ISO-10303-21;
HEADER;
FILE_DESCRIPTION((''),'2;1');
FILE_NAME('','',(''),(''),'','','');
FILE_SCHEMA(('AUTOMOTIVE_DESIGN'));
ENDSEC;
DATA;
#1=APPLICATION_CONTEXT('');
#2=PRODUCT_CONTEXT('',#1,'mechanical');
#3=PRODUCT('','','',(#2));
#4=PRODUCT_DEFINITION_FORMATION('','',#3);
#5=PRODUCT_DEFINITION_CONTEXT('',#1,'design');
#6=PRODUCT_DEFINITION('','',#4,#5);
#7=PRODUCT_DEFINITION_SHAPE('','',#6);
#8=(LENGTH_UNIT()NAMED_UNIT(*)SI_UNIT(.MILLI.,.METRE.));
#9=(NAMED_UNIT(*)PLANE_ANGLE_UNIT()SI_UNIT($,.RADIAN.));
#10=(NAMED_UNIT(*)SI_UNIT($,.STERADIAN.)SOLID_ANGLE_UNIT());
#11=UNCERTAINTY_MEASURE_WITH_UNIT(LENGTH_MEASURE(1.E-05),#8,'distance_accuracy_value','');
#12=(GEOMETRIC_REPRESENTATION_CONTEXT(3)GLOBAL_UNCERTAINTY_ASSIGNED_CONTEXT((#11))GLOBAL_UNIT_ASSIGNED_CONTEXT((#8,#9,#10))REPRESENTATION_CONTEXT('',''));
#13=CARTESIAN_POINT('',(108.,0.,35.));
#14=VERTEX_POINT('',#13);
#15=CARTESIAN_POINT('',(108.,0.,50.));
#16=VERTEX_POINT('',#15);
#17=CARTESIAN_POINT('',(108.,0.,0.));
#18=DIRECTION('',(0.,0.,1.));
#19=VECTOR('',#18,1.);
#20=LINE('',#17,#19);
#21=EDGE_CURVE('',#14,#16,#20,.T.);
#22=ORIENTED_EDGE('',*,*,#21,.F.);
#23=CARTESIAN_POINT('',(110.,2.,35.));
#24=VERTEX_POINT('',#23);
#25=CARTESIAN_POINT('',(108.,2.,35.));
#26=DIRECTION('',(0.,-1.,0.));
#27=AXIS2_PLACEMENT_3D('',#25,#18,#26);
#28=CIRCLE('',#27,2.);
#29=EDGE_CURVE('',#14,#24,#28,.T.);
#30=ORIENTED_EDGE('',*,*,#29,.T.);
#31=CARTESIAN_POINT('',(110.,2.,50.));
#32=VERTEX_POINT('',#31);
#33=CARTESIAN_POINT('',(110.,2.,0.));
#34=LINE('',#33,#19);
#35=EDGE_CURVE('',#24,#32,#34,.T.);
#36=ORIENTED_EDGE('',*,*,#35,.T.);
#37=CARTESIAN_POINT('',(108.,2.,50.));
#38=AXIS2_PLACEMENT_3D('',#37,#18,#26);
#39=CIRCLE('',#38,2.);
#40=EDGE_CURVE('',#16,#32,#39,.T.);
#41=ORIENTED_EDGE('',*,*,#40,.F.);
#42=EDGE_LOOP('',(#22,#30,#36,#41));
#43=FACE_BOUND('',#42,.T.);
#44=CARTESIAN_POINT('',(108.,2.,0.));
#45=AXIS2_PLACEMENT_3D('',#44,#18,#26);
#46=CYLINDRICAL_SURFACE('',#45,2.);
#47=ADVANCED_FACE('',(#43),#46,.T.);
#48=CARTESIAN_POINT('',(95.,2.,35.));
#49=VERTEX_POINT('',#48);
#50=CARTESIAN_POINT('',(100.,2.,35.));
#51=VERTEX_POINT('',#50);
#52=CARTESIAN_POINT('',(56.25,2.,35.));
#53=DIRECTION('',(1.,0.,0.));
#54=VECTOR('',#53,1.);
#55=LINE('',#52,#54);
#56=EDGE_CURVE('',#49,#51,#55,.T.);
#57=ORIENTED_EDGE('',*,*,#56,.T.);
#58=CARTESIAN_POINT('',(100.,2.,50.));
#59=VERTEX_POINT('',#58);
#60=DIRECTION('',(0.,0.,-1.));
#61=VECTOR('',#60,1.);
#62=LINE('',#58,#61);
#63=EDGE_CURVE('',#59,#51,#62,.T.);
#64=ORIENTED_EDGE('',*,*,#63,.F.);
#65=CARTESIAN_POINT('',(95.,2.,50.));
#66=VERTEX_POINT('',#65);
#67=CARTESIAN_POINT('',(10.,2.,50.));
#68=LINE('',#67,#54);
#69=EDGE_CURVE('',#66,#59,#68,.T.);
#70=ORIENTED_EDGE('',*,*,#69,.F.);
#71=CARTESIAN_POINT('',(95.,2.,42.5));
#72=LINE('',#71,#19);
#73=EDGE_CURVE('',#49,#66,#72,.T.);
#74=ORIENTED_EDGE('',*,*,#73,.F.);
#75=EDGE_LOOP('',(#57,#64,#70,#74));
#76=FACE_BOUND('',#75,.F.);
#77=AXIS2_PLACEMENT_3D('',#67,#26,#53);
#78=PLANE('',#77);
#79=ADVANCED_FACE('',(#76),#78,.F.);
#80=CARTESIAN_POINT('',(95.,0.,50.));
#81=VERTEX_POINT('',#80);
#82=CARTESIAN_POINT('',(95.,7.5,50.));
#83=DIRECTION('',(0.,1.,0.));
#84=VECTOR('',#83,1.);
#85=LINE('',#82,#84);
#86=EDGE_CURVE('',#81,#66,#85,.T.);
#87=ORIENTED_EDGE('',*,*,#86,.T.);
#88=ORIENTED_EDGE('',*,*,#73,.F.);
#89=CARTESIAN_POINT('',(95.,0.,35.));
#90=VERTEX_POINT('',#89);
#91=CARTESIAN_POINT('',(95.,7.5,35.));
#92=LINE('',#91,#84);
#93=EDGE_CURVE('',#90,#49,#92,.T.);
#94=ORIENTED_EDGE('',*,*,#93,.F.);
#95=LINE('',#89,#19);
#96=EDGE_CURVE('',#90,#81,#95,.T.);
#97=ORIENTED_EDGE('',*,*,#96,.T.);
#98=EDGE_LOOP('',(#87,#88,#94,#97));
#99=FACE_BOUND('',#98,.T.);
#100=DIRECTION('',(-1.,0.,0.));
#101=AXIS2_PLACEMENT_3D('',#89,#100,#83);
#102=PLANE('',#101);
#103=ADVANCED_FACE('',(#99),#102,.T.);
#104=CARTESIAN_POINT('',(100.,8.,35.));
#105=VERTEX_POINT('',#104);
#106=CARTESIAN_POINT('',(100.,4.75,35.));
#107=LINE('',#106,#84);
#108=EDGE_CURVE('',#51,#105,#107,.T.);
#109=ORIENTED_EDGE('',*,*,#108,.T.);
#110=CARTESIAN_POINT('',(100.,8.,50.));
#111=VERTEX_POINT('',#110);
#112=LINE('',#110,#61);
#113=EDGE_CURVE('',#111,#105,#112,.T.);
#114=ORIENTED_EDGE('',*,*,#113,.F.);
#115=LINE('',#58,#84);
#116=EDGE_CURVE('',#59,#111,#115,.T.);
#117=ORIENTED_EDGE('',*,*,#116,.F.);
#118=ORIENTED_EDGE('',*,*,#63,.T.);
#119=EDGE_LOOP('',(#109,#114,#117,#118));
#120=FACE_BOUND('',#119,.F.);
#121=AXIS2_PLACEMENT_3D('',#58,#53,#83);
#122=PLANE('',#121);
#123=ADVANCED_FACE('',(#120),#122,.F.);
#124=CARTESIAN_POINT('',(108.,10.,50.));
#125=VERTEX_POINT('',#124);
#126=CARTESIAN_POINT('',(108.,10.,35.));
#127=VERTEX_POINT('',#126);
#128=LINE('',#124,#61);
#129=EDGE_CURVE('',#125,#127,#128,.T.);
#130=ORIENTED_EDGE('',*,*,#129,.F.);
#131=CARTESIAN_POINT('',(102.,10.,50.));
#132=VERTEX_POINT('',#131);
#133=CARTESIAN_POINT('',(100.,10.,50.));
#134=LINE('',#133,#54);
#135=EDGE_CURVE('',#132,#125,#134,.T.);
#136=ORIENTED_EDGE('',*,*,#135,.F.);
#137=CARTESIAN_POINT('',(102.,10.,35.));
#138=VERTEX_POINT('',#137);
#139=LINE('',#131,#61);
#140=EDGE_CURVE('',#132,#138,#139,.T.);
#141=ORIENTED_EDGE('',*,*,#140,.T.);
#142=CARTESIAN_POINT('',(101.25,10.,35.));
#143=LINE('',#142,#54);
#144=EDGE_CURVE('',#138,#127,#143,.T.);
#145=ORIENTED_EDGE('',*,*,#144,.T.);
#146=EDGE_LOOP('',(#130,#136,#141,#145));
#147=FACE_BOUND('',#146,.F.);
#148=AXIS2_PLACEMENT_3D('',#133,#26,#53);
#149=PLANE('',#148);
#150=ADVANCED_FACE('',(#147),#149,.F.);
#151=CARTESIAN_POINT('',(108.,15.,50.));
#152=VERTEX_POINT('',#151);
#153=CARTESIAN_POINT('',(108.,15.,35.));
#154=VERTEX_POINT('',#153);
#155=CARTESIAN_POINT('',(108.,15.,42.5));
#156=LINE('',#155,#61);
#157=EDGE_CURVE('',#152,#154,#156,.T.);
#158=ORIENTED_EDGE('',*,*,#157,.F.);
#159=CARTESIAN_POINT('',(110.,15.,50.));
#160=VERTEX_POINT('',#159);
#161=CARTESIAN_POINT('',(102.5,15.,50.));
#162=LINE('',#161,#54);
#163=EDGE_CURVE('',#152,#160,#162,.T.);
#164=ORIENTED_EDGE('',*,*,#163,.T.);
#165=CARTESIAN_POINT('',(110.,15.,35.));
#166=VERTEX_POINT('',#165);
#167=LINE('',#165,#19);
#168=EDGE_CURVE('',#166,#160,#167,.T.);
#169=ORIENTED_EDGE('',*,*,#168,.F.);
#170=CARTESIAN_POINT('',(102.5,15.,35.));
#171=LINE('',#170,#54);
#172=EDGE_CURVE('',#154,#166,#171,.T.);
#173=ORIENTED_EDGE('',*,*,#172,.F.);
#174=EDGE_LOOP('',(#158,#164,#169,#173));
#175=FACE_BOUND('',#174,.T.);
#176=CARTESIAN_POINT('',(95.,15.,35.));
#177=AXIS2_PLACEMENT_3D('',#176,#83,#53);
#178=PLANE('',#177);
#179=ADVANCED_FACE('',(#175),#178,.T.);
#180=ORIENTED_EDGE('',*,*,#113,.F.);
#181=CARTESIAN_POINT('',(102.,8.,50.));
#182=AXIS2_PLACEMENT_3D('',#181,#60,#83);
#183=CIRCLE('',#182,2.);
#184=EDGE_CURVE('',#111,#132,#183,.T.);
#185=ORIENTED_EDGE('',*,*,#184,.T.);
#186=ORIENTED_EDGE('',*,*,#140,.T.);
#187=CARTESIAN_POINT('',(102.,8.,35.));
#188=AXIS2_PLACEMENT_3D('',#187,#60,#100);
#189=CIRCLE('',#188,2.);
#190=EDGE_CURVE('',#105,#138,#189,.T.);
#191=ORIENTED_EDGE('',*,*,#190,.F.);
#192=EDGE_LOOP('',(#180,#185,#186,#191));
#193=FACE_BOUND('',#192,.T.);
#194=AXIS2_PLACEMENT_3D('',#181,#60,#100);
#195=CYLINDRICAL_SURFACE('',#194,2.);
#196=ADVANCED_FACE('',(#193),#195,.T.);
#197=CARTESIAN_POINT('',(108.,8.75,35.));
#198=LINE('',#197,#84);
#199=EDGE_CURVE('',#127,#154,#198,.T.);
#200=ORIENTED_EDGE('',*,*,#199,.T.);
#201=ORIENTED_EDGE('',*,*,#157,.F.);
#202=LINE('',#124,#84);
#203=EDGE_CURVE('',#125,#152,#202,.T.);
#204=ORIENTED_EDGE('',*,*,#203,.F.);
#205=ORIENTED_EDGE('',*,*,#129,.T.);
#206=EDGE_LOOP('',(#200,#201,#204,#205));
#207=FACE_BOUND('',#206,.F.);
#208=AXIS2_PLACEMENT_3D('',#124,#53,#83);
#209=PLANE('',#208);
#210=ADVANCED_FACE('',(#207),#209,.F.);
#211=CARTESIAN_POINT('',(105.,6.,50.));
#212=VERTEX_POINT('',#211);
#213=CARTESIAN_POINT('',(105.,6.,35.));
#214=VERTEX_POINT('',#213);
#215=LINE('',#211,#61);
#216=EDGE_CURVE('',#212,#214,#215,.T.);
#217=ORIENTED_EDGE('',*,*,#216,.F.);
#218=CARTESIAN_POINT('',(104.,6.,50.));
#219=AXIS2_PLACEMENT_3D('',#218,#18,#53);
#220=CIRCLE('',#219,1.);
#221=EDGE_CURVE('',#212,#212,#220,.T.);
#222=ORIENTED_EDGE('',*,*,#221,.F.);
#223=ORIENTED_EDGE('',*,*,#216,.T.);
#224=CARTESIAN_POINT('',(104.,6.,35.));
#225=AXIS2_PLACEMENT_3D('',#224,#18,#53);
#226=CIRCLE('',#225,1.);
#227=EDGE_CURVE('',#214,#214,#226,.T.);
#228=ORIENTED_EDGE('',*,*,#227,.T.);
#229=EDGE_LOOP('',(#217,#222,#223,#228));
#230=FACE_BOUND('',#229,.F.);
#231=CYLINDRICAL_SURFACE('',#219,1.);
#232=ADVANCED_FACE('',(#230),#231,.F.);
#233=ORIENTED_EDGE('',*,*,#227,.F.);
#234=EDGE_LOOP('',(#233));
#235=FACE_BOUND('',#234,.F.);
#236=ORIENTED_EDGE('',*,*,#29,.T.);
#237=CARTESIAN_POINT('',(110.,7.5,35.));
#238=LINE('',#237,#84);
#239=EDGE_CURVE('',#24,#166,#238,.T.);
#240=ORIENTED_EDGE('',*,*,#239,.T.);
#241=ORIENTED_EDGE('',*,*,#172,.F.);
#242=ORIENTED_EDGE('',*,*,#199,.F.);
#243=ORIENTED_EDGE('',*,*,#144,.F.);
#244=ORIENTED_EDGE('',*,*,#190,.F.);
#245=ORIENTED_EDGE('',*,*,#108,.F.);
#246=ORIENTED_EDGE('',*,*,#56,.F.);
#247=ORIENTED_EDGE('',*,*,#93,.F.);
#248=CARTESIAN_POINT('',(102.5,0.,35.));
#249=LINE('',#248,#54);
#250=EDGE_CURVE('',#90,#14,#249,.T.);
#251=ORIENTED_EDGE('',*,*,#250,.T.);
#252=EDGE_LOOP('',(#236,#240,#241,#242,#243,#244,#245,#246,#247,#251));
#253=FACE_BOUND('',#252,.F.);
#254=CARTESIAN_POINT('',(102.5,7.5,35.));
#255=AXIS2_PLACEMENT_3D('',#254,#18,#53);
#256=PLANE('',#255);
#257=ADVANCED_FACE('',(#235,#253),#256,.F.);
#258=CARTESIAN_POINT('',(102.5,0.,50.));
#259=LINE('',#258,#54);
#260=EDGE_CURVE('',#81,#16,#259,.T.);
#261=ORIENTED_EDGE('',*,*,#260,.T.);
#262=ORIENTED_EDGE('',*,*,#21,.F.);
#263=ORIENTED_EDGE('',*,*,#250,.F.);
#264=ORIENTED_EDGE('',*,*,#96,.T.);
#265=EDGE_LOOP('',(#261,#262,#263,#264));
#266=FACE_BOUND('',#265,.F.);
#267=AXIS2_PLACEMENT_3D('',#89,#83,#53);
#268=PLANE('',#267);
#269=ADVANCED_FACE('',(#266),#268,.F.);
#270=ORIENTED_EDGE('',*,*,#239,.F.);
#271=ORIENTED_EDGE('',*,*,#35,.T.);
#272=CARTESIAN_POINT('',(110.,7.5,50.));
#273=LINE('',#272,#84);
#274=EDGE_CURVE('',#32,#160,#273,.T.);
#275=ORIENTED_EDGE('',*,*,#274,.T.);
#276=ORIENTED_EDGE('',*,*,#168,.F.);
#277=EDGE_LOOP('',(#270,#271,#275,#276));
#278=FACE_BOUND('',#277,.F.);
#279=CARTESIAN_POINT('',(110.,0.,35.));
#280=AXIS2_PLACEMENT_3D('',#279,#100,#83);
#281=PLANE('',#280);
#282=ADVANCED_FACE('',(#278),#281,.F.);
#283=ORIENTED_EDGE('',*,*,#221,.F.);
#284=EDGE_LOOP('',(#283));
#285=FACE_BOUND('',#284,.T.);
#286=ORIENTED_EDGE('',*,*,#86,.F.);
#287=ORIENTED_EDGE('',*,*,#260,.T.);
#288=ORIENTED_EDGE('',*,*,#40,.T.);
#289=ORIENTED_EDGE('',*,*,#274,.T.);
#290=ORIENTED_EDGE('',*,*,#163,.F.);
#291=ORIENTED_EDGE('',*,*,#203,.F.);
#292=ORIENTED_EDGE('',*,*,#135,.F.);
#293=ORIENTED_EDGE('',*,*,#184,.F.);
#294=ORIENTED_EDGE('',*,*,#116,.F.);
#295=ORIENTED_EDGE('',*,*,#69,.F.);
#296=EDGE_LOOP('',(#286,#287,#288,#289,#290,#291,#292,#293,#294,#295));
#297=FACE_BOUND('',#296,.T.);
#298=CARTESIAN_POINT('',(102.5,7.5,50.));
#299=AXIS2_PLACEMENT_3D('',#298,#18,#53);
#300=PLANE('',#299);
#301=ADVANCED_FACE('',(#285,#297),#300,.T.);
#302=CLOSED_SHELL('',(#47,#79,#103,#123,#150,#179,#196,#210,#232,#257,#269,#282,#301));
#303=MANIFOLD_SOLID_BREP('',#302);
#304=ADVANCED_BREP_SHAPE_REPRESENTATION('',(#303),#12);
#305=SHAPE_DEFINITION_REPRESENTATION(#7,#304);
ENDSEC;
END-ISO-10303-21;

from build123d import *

# Parameters (mm, degrees)
SKETCH_W        = 110
SKETCH_H        = 80
PAD_DEPTH       = 50
SKETCH001_R     = 1
POCKET_DEPTH    = 48
FILLET_R        = 2
FILLET001_R     = 2
SKETCH002_R     = 2.55
SKETCH002_W     = 11.5
SKETCH002_H     = 19.1
POCKET001_DEPTH = 5
SKETCH003_R     = 2.55
POCKET002_DEPTH = 5
BOX_W           = 15
BOX_H           = 15
BOX_DEPTH       = 15


with BuildPart() as body:
    # Sketch → Pad (new body)
    with BuildSketch(Plane.XY):
        with Locations((55, 40)):
            Rectangle(SKETCH_W, SKETCH_H)
    extrude(amount=PAD_DEPTH)

    # Sketch001 (on Face6 of Pad) → Pocket (cut)
    with BuildSketch(Plane.XY.offset(50)):
        with Locations((6, 74)):
            Circle(SKETCH001_R)
        with Locations((104, 74)):
            Circle(SKETCH001_R)
        with Locations((104, 6)):
            Circle(SKETCH001_R)
        with Locations((6, 6)):
            Circle(SKETCH001_R)
        Polygon((2, 10), (10, 10), (10, 2), (100, 2), (100, 10), (108, 10), (108, 70), (100, 70), (100, 78), (10, 78), (10, 70), (2, 70), align=None)
    extrude(amount=-POCKET_DEPTH, mode=Mode.SUBTRACT)

    # Fillet
    fillet_edges = [body.edges().sort_by_distance(p)[0] for p in [
        (0, 80, 25),
        (0, 40, 0),
        (0, 0, 25),
        (55, 0, 0),
        (110, 0, 25),
        (110, 80, 25),
        (110, 40, 0),
        (55, 80, 0),
    ]]
    fillet(fillet_edges, radius=FILLET_R)

    # Fillet001
    fillet001_edges = [body.edges().sort_by_distance(p)[0] for p in [
        (100, 10, 26),
        (100, 70, 26),
        (10, 70, 26),
        (10, 10, 26),
    ]]
    fillet(fillet001_edges, radius=FILLET001_R)

    # Sketch002 (on Face22 of Fillet001) → Pocket001 (cut)
    with BuildSketch(Plane.YZ.offset(110)):
        with Locations((15, 27.5)):
            Circle(SKETCH002_R)
        with Locations((28.75, 27.5)):
            Rectangle(SKETCH002_W, SKETCH002_H)
    extrude(amount=-POCKET001_DEPTH, mode=Mode.SUBTRACT)

    # Sketch003 (on Face18 of Pocket001) → Pocket002 (cut)
    with BuildSketch(Plane.XZ):
        with Locations((95, 27.5)):
            Circle(SKETCH003_R)
    extrude(amount=-POCKET002_DEPTH, mode=Mode.SUBTRACT)


with BuildPart() as common:
    # Box → Box (new body)
    with BuildSketch(Plane(origin=(95, 0, 35), x_dir=(1, 0, 0), z_dir=(0, 0, 1))):
        with Locations((7.5, 7.5)):
            Rectangle(BOX_W, BOX_H)
    extrude(amount=BOX_DEPTH)

    # Common: intersect Body
    add(body.part, mode=Mode.INTERSECT)


solid = common.part
